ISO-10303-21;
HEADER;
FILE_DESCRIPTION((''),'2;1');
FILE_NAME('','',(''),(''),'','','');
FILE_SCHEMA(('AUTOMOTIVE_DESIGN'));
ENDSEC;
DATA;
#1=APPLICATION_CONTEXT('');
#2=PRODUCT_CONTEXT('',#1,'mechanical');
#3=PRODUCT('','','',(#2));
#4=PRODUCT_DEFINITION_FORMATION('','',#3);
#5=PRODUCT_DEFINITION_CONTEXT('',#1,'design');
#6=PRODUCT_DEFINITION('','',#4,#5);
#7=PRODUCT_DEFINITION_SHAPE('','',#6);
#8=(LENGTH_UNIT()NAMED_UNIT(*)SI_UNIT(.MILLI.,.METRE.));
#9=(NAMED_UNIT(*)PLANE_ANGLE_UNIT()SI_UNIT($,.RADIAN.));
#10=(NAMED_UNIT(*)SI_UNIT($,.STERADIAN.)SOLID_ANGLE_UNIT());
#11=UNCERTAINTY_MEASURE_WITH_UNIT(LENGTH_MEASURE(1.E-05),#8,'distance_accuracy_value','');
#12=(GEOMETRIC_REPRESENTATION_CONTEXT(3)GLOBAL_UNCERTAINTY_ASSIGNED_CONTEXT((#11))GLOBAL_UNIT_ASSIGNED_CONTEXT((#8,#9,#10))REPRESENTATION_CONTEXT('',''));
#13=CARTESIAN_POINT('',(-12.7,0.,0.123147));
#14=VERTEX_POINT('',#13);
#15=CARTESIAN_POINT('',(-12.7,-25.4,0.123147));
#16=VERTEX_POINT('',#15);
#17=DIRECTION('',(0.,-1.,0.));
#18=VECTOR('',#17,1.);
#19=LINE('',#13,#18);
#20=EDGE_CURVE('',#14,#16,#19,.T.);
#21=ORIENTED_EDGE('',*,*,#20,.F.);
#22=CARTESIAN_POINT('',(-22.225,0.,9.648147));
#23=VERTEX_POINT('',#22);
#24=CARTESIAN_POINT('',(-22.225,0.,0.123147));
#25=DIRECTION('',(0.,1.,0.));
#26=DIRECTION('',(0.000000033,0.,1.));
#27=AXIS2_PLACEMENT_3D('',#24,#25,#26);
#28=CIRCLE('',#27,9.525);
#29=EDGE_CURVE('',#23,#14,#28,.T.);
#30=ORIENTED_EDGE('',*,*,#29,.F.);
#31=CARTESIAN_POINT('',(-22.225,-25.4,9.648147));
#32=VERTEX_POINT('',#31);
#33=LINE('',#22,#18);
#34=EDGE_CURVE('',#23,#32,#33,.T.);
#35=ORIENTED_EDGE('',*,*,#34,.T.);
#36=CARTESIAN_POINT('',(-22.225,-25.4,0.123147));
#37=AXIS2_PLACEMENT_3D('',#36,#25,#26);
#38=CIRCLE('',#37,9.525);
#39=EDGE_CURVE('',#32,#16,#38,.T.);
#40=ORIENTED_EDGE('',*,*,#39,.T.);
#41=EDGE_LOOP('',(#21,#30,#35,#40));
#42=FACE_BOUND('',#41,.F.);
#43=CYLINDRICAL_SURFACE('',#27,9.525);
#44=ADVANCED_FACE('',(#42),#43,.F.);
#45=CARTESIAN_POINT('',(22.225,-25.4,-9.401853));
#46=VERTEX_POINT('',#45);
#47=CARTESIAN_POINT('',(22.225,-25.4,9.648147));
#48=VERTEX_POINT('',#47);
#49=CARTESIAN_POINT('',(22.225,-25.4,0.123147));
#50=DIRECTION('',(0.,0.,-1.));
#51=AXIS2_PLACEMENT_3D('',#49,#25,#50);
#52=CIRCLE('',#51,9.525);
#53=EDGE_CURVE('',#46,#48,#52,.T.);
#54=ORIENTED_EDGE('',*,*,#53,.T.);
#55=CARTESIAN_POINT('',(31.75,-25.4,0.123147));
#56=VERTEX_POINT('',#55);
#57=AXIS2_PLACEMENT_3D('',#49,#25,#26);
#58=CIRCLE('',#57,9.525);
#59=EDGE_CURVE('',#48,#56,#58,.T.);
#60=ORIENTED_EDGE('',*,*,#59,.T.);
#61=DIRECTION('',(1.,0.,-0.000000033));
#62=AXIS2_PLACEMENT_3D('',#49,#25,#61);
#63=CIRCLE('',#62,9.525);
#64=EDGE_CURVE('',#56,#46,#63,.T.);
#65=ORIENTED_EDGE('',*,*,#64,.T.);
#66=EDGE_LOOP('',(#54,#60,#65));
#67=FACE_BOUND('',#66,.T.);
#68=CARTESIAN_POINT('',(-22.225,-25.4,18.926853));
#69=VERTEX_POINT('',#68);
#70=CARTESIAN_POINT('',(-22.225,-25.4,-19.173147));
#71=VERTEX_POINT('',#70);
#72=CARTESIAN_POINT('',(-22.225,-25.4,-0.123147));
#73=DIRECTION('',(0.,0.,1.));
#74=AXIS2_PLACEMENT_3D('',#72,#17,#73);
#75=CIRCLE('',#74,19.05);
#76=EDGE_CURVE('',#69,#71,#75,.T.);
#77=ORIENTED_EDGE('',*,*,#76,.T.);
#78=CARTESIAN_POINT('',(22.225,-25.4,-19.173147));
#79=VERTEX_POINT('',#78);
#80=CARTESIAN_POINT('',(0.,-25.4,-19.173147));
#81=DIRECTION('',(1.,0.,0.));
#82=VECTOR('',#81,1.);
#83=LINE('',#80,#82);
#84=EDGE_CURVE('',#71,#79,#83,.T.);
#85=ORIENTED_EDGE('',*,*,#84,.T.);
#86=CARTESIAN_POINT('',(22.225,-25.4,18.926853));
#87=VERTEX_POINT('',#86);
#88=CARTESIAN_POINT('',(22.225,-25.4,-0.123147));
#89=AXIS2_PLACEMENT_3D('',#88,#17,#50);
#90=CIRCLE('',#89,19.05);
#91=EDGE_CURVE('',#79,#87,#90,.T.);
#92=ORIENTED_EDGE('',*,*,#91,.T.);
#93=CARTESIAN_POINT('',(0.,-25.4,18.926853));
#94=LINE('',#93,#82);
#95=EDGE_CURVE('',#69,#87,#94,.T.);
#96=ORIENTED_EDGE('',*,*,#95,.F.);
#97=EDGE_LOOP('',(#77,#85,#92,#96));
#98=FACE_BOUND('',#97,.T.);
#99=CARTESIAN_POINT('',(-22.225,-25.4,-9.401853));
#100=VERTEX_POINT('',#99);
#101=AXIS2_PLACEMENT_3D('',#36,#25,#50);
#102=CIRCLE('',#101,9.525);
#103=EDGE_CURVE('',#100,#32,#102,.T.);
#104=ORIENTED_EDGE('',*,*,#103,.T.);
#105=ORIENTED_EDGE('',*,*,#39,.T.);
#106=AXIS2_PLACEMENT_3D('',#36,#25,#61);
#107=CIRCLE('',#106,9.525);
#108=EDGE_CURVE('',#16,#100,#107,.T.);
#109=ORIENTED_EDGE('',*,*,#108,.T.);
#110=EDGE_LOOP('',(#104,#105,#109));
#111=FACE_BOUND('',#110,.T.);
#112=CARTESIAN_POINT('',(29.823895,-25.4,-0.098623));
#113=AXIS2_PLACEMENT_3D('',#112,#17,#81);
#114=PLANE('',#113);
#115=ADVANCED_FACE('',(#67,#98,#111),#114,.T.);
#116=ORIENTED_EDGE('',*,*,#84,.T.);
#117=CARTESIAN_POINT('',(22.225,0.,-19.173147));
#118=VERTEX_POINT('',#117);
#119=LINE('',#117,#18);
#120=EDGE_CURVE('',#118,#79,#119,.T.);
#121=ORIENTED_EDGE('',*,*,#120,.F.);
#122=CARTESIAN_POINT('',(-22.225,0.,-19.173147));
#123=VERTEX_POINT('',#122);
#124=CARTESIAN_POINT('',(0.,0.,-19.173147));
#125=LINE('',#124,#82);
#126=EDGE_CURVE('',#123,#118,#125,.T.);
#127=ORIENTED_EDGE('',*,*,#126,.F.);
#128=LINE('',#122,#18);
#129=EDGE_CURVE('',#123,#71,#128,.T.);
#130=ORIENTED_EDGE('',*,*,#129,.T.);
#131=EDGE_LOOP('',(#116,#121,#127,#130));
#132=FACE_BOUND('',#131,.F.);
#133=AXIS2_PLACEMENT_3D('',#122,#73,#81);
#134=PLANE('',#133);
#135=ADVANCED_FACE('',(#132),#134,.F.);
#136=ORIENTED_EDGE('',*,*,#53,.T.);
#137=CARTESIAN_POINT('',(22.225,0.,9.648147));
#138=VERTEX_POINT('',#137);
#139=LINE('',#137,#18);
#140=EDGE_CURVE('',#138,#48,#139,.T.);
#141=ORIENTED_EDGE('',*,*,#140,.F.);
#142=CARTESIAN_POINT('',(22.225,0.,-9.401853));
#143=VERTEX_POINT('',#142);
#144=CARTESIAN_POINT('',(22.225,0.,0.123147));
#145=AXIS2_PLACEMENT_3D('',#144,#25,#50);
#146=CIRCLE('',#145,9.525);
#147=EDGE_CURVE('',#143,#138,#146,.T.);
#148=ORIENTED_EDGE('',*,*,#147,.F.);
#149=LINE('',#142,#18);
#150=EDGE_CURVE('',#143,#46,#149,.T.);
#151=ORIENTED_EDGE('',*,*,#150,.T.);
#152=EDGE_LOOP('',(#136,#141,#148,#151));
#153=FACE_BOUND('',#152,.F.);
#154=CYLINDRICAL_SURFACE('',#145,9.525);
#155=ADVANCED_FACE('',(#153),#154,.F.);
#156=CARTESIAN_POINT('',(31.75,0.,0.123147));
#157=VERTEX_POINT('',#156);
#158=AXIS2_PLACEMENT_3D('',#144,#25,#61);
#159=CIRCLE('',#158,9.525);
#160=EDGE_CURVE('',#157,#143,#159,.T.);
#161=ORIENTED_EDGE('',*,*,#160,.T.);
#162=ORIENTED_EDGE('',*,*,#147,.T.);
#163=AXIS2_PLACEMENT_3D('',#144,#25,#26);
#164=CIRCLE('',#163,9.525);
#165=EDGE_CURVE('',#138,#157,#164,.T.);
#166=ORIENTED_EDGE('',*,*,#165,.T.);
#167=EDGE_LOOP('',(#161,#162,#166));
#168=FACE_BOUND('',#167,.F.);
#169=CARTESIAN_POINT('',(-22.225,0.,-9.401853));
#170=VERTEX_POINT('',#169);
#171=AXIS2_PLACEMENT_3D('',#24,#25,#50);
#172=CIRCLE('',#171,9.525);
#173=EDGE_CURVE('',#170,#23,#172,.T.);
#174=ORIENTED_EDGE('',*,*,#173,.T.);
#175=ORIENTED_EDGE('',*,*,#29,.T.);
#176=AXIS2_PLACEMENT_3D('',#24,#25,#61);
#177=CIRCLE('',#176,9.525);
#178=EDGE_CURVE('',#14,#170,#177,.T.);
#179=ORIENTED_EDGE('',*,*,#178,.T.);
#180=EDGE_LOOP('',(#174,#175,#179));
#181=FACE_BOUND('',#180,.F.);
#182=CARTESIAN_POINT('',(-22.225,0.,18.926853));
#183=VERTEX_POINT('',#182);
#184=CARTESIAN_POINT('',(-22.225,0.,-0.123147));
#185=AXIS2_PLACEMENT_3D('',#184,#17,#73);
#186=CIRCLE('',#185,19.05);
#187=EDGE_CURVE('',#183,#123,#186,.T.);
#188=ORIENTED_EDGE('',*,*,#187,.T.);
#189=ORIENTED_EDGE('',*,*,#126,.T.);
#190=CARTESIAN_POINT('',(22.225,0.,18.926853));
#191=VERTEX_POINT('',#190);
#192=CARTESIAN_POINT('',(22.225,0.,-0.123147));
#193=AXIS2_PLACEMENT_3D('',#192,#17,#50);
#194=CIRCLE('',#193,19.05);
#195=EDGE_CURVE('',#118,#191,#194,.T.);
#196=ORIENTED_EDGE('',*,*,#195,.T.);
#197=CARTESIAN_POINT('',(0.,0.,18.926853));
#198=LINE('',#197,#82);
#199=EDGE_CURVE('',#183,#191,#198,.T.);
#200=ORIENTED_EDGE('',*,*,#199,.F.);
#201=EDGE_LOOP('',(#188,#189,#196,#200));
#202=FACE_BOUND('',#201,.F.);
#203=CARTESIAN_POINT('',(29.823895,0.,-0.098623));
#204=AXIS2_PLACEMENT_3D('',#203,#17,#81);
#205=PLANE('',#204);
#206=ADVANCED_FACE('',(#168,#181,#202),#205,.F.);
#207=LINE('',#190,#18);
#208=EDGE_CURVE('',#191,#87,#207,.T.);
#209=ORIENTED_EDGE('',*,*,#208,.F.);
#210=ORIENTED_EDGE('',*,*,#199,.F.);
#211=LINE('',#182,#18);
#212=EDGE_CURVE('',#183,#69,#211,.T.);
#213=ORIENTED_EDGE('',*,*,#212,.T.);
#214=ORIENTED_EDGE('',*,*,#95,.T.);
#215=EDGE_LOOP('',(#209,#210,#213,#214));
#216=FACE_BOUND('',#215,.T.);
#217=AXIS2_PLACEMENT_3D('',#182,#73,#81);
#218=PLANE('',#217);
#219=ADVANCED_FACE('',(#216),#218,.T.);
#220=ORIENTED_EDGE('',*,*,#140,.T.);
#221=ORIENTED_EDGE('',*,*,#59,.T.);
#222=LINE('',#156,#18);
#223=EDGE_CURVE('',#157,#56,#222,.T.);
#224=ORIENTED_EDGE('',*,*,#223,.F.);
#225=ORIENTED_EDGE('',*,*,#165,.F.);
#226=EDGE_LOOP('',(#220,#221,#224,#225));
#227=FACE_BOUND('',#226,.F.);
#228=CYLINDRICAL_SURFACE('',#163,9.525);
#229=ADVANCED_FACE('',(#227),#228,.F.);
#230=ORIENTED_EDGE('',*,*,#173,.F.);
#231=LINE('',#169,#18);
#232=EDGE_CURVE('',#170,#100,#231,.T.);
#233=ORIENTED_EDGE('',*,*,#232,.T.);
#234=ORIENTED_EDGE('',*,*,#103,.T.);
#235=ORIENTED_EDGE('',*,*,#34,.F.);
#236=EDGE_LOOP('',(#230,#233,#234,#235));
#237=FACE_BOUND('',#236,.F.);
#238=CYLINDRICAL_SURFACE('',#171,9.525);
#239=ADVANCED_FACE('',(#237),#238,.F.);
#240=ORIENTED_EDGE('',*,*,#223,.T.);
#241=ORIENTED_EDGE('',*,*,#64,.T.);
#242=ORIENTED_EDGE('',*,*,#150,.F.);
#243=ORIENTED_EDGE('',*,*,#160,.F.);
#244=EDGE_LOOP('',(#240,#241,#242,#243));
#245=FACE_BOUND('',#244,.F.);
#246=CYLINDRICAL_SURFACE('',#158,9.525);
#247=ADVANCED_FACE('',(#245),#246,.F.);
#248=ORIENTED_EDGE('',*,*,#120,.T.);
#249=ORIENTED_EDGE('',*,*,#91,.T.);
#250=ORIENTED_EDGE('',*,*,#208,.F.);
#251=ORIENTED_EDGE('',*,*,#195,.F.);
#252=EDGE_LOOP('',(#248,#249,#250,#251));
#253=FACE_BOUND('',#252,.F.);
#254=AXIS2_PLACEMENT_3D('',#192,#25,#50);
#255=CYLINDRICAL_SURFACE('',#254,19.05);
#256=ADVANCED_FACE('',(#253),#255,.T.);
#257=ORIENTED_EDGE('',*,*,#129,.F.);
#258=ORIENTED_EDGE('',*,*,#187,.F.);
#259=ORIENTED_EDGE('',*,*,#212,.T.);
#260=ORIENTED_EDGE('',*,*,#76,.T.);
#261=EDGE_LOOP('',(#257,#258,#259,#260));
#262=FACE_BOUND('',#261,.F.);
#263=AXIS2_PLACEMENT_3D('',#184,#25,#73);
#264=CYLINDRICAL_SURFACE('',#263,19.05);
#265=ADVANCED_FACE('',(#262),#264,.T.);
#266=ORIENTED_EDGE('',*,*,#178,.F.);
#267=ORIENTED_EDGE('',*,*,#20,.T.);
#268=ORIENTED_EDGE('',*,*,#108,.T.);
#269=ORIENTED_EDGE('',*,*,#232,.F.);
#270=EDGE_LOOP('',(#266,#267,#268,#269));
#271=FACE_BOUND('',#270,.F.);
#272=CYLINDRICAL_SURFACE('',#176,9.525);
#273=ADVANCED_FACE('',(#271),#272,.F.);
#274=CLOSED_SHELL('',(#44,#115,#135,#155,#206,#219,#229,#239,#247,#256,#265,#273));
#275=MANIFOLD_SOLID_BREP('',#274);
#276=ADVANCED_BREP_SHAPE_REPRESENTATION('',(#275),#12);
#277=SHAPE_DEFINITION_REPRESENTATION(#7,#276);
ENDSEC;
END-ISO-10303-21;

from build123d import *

# Parameters (mm, degrees)
F0_W     = 44.45
F0_H     = 9.278706
F0_H_2   = 9.771294
F1_DEPTH = 25.4


with BuildPart() as f1:
    # F0 (on Front) → F1 (new body)
    with BuildSketch(Plane.XZ):
        with BuildLine():
            ThreePointArc((22.225, -19.173147), (41.275, -0.123147), (22.225, 18.926853))
            Line((22.225, 18.926853), (22.225, 9.648147))
            ThreePointArc((22.225, 9.648147), (28.960192, 6.858339), (31.75, 0.123147))
            ThreePointArc((31.75, 0.123147), (28.960192, -6.612045), (22.225, -9.401853))
            Line((22.225, -9.401853), (22.225, -19.173147))
        make_face()
        with Locations((0, 14.2875)):
            Rectangle(F0_W, F0_H)
        with Locations((0, -14.2875)):
            Rectangle(F0_W, F0_H_2)
        with BuildLine():
            Line((-22.225, 9.648147), (-22.225, 18.926853))
            ThreePointArc((-22.225, 18.926853), (-41.275, -0.123147), (-22.225, -19.173147))
            Line((-22.225, -19.173147), (-22.225, -9.401853))
            ThreePointArc((-22.225, -9.401853), (-31.75, 0.123147), (-22.225, 9.648147))
        make_face()
        with BuildLine():
            Line((22.225, 9.648147), (-22.225, 9.648147))
            ThreePointArc((-22.225, 9.648147), (-15.489808, 6.858339), (-12.7, 0.123147))
            ThreePointArc((-12.7, 0.123147), (-15.489808, -6.612045), (-22.225, -9.401853))
            Line((-22.225, -9.401853), (22.225, -9.401853))
            ThreePointArc((22.225, -9.401853), (12.7, 0.123147), (22.225, 9.648147))
        make_face()
    extrude(amount=F1_DEPTH)


solid = f1.part
